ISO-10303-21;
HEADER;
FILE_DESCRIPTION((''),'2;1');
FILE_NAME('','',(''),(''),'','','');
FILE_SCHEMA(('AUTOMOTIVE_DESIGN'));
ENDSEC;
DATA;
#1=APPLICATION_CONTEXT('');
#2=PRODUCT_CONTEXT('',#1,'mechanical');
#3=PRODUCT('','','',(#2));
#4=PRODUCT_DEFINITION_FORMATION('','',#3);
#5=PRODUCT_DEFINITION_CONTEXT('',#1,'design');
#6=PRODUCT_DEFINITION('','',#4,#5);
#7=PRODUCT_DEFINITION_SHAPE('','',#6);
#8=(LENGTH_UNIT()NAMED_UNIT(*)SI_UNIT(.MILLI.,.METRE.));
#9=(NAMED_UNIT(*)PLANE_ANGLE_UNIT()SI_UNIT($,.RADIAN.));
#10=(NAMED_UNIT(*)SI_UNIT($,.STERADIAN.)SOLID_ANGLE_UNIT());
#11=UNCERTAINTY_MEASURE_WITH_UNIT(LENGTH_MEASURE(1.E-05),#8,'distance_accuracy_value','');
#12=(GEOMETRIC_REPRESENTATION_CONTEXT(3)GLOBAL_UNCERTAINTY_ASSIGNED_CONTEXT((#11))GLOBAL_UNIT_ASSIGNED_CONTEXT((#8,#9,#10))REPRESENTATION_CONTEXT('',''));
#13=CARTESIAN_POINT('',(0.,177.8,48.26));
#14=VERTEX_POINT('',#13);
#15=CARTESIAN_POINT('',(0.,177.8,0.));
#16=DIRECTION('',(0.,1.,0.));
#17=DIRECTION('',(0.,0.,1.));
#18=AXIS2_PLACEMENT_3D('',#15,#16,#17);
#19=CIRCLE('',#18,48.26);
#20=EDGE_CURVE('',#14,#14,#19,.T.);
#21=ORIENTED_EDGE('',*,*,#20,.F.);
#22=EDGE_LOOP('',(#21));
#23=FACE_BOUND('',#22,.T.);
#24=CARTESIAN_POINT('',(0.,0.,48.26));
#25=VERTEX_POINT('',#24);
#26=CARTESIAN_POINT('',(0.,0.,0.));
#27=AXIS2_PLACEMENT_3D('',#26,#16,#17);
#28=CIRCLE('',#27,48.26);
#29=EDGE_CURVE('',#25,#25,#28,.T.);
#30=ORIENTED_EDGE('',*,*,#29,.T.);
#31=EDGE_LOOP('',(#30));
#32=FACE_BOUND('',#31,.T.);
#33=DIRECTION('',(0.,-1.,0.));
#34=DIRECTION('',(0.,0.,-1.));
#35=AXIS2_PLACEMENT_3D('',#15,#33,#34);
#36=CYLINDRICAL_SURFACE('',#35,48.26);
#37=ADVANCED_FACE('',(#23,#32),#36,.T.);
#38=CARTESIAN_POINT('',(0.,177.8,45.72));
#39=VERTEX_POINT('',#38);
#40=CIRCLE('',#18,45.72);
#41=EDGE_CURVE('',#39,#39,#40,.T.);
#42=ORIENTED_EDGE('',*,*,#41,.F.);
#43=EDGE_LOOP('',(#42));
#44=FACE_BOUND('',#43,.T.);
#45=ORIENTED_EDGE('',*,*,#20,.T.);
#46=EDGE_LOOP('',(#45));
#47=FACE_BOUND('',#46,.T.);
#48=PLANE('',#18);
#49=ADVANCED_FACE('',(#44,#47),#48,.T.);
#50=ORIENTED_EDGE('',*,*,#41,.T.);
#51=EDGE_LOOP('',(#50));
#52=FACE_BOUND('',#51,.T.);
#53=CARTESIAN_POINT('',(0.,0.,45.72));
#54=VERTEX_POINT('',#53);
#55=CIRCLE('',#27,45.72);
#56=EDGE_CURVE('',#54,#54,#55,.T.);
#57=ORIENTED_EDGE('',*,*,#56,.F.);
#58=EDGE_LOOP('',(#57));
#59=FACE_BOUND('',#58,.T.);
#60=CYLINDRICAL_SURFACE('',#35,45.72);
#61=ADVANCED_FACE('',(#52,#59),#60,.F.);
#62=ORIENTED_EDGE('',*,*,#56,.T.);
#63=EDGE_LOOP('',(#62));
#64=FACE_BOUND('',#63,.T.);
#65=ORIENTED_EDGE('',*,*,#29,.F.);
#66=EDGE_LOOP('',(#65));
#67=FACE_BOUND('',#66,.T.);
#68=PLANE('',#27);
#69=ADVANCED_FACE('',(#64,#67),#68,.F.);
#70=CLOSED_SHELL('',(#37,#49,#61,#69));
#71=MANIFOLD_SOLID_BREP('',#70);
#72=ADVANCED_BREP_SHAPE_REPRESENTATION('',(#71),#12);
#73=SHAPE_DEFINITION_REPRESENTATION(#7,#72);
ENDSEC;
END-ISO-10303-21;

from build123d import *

# Parameters (mm, degrees)
SKETCH2_R           = 48.26
SKETCH2_R_2         = 45.72
BOSS_EXTRUDE1_DEPTH = 177.8


with BuildPart() as part:
    # Sketch2 → Boss-Extrude1 (new body)
    with BuildSketch(Plane(origin=(0, 0, 0), x_dir=(1, 0, 0), z_dir=(0, 1, 0))):
        with Locations(Location((0, 0, 0), (0, 0, 270))):
            Circle(SKETCH2_R)
        with Locations(Location((0, 0, 0), (0, 0, 270))):
            Circle(SKETCH2_R_2, mode=Mode.SUBTRACT)
    extrude(amount=BOSS_EXTRUDE1_DEPTH)


solid = part.part
